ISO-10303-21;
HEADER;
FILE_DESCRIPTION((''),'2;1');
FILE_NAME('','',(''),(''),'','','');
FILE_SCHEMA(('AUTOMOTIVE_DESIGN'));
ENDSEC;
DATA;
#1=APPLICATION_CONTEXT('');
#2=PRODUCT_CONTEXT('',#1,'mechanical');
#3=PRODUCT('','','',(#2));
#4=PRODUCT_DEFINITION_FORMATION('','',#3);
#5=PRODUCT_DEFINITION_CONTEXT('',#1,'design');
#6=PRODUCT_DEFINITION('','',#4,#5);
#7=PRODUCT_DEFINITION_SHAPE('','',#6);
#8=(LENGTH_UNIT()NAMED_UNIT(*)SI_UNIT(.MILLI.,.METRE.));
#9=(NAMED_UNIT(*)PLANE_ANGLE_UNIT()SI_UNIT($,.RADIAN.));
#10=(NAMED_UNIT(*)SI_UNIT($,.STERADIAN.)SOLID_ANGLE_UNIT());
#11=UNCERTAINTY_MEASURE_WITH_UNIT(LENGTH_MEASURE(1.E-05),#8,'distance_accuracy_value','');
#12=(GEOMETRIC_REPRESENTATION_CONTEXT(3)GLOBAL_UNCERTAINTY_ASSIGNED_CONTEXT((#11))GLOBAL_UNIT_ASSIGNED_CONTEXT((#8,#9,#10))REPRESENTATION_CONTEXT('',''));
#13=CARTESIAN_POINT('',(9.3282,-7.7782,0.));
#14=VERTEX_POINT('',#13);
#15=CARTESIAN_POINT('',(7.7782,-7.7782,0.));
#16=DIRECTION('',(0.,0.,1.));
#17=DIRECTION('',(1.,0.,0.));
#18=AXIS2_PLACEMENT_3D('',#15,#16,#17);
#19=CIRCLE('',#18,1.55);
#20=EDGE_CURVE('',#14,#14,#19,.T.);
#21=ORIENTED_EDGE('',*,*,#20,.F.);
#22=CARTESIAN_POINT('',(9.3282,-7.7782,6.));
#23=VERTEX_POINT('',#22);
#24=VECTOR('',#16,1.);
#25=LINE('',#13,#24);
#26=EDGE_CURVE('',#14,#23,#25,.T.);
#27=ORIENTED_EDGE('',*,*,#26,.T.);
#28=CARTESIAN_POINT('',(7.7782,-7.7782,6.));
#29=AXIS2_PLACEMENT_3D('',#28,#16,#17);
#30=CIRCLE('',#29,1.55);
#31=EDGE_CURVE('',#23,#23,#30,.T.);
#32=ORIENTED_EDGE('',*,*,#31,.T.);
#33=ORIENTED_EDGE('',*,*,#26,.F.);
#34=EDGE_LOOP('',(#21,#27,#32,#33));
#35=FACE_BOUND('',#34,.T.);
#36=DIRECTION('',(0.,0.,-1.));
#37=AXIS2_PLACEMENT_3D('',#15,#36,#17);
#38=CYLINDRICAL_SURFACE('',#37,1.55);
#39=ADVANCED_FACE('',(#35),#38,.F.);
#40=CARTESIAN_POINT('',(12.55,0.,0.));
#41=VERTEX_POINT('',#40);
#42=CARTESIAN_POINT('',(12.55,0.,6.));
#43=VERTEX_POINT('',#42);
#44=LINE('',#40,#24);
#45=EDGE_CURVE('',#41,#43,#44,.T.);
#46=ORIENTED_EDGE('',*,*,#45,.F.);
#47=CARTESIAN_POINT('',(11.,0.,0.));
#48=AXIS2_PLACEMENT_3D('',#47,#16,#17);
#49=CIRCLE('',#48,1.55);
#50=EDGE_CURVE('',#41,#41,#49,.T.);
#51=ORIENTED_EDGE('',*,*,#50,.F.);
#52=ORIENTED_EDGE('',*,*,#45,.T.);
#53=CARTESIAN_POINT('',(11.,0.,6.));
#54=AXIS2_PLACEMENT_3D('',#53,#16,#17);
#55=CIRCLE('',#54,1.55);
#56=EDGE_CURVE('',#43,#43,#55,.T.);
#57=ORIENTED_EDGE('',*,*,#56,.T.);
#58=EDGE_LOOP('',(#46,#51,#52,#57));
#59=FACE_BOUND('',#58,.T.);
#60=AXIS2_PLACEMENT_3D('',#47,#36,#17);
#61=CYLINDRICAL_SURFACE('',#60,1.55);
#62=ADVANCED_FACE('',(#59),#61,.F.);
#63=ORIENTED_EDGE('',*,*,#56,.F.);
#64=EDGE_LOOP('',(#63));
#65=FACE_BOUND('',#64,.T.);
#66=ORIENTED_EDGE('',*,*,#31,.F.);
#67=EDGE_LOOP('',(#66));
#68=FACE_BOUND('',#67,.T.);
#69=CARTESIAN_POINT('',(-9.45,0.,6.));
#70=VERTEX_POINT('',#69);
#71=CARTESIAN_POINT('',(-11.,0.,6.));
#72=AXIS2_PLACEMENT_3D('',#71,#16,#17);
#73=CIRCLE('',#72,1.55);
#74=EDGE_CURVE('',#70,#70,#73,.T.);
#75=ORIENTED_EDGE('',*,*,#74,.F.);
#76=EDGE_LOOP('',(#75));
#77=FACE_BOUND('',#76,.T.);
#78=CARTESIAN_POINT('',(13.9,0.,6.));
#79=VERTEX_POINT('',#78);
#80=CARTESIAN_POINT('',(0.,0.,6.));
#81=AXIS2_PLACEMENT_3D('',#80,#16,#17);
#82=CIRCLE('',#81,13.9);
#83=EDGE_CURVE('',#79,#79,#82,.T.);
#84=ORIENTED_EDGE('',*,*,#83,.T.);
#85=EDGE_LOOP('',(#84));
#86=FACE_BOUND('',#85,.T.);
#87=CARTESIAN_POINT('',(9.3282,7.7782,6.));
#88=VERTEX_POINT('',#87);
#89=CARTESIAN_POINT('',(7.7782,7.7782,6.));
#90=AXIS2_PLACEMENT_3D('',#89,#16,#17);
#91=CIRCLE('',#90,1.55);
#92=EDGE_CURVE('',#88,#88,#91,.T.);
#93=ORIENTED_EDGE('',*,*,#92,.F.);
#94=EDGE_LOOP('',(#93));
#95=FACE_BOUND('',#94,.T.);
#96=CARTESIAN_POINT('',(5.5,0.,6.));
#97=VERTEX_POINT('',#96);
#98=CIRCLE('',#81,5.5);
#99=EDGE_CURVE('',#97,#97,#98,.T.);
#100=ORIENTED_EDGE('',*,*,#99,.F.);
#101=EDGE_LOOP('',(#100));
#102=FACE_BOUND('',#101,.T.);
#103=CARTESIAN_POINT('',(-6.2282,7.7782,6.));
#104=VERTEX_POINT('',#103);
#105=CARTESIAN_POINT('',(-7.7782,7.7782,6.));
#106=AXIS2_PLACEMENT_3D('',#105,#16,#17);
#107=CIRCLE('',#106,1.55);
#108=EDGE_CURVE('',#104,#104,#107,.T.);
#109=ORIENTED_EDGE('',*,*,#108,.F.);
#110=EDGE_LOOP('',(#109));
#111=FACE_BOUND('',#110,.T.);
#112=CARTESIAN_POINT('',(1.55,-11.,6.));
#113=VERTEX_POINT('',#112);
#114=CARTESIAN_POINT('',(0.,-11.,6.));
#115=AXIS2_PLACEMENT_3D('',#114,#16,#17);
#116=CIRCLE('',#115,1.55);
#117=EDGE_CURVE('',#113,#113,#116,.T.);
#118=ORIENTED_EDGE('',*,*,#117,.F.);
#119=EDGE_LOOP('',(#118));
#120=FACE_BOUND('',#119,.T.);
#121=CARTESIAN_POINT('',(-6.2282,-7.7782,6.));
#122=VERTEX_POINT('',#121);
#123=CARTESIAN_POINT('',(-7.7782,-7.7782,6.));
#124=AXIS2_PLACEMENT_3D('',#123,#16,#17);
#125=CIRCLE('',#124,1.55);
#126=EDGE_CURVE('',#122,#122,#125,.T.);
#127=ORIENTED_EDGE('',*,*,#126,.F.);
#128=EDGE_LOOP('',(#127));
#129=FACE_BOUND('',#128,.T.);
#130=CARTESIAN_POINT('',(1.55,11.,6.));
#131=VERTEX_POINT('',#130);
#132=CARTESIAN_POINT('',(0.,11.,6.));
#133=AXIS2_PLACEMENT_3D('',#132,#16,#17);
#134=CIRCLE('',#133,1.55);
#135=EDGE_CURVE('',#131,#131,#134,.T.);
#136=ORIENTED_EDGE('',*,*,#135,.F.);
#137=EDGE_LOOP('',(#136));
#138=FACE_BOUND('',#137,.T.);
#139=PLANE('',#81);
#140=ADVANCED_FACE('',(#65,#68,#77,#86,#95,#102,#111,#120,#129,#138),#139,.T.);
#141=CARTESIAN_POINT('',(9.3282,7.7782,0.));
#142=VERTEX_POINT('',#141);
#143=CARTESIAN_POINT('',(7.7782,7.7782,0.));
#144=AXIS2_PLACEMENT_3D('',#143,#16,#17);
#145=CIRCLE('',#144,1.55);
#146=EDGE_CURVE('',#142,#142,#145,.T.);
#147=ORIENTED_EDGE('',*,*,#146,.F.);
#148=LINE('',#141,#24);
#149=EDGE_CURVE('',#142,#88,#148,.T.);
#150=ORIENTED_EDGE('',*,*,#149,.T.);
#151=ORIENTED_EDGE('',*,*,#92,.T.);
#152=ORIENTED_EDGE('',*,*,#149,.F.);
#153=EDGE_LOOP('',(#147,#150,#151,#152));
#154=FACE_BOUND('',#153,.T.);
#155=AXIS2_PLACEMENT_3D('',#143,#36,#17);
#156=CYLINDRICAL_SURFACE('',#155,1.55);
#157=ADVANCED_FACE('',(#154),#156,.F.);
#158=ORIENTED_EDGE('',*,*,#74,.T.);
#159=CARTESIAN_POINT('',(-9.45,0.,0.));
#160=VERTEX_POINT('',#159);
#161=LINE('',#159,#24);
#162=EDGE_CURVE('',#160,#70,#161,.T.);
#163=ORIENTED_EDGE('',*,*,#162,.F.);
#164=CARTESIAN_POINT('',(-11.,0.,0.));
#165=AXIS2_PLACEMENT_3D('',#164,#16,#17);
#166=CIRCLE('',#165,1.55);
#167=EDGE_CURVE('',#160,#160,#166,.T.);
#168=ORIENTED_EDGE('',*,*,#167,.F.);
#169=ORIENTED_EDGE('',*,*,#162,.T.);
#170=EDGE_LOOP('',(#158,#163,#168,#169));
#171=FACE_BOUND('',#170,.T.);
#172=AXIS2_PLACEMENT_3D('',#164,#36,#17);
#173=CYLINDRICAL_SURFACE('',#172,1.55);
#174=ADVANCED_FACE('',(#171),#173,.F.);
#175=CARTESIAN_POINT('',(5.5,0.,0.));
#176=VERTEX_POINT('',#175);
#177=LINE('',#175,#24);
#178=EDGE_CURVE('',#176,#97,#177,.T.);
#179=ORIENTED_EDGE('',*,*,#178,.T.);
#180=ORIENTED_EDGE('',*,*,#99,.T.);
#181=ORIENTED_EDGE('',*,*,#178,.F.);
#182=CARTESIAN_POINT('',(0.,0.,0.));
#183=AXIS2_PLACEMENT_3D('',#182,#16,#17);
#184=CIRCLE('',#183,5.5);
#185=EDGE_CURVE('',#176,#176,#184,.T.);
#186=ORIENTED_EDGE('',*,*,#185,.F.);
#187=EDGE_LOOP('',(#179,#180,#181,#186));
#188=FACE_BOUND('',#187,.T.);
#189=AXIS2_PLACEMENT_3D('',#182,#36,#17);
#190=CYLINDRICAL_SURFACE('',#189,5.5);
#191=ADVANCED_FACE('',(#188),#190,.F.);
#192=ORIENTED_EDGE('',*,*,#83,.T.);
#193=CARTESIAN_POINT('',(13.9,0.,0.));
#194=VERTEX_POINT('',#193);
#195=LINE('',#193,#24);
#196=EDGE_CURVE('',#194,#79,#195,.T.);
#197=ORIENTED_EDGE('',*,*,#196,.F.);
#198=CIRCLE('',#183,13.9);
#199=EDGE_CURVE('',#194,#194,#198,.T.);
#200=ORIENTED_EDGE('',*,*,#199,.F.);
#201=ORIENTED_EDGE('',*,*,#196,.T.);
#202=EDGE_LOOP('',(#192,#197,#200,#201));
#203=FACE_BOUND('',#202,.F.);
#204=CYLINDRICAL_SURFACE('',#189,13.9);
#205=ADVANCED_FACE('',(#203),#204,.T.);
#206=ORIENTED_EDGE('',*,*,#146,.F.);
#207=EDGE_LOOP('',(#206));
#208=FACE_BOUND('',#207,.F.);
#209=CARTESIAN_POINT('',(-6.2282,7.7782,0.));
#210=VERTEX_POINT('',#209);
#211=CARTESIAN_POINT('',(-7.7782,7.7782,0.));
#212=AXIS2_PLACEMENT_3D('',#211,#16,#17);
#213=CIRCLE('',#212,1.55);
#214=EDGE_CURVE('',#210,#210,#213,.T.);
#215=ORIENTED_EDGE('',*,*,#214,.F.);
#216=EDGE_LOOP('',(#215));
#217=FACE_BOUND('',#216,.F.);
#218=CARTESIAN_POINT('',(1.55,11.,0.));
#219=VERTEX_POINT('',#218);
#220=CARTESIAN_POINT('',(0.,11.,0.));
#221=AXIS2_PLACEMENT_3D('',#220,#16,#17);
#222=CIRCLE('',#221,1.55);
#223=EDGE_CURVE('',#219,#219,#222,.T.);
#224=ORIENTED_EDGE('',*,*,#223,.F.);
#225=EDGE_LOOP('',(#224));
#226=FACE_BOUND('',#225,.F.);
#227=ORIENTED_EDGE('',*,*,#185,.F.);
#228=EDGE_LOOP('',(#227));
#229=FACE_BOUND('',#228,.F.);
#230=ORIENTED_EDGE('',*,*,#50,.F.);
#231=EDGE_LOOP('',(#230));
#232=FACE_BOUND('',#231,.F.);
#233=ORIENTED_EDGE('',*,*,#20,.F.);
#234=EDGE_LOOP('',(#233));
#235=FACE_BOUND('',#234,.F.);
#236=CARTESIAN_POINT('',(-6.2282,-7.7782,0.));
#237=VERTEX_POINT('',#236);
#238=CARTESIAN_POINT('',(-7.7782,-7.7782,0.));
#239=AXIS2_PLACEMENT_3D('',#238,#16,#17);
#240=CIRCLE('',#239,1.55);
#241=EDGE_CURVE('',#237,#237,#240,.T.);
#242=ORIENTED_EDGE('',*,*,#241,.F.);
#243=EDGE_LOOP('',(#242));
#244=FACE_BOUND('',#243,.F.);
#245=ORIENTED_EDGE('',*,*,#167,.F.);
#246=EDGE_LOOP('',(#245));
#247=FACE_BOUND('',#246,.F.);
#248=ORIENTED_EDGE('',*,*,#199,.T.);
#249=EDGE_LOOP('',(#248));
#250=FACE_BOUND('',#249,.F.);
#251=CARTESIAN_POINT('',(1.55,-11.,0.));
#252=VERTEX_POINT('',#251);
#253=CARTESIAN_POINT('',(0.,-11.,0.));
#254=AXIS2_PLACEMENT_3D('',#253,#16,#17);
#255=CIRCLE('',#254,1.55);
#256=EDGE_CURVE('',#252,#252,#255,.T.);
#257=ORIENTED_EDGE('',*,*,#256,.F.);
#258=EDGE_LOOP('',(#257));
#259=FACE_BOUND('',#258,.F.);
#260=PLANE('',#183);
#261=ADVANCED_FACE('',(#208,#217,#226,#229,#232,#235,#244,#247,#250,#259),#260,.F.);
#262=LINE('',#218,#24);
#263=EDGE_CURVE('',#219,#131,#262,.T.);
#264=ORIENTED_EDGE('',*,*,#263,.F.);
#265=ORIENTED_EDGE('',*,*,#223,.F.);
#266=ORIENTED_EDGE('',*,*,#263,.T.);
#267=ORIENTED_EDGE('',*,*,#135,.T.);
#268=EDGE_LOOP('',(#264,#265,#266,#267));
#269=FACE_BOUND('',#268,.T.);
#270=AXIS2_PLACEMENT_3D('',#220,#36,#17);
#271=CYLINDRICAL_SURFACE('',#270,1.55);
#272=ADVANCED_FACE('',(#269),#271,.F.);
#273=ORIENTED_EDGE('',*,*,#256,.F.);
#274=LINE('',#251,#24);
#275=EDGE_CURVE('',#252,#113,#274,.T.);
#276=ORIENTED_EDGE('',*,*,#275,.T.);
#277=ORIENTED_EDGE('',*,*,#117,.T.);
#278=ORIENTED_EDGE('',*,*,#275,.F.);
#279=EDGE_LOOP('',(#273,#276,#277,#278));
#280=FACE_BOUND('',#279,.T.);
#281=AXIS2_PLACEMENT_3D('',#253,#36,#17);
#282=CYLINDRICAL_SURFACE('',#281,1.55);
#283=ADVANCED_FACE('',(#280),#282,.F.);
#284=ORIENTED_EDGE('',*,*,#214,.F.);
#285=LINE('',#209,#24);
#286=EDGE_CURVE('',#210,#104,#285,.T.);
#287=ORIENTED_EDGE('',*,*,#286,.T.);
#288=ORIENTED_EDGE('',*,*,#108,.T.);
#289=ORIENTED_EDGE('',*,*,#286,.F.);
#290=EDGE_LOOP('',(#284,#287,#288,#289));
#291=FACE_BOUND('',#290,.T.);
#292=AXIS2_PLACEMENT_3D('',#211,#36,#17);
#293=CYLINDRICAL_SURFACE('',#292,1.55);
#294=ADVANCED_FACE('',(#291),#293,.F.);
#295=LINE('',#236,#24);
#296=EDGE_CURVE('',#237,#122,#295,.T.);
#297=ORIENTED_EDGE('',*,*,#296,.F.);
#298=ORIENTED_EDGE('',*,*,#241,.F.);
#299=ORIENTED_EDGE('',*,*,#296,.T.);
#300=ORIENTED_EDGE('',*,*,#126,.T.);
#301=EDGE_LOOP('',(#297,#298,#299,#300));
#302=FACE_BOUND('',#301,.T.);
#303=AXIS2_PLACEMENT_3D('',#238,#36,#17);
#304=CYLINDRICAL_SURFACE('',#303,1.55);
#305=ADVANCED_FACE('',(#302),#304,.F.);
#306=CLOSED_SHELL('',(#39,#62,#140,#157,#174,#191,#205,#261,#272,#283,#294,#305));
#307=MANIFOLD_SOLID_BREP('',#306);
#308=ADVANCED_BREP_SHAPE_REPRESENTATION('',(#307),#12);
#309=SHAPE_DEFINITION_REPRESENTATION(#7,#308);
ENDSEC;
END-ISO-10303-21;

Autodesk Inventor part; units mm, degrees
ref_plane "YZ Plane" through (0, 0, 0) normal (1, 0, 0) x (0, 1, 0)
ref_plane "XZ Plane" through (0, 0, 0) normal (0, 1, 0) x (-1, 0, 0)
ref_plane "XY Plane" through (0, 0, 0) normal (0, 0, 1) x (1, 0, 0)
ref_plane "작업 평면1" through (0, 0, 0) normal (0, 0, 1) x (1, 0, 0)
sketch "스케치1" plane through (0, 0, 0) normal (0, 0, 1) x (1, 0, 0)
  circle A0 centre (-7.7782, -7.7782) radius 1.55 projected
  circle A1 centre (7.7782, -7.7782) radius 1.55 projected
  circle A2 centre (7.7782, 7.7782) radius 1.55 projected
  circle A3 centre (-7.7782, 7.7782) radius 1.55 projected
  circle A4 centre (0, 0) radius 5 projected
  circle A5 centre (0, 0) radius 13.9 projected
  circle A6 centre (0, 11) radius 1.55 projected
  circle A7 centre (11, 0) radius 1.55 projected
  circle A8 centre (0, -11) radius 1.55 projected
  circle A9 centre (-11, 0) radius 1.55 projected
  circle A10 centre (0, 0) radius 5.5
  circle A11 centre (0, 0) radius 13.9
  circle A12 centre (0, 11) radius 1.35
  circle A13 centre (7.7782, 7.7782) radius 1.35
  circle A14 centre (11, 0) radius 1.35
  circle A15 centre (-7.7782, 7.7782) radius 1.35
  circle A16 centre (-11, 0) radius 1.35
  circle A17 centre (-7.7782, -7.7782) radius 1.35
  circle A18 centre (0, -11) radius 1.35
  circle A19 centre (7.7782, -7.7782) radius 1.35
  dimension "d0" = 0.5
  dimension "d1" = 2.7
  dimension "d2" = 2.7
  dimension "d3" = 2.7
  dimension "d4" = 2.7
  dimension "d5" = 2.7
  dimension "d6" = 2.7
  dimension "d7" = 2.7
  dimension "d8" = 2.7
extrude "돌출1" add sketch "스케치1" along normal blind 6 contours A5
properties part number "waist extension_64" material "PMMA 플라스틱"
